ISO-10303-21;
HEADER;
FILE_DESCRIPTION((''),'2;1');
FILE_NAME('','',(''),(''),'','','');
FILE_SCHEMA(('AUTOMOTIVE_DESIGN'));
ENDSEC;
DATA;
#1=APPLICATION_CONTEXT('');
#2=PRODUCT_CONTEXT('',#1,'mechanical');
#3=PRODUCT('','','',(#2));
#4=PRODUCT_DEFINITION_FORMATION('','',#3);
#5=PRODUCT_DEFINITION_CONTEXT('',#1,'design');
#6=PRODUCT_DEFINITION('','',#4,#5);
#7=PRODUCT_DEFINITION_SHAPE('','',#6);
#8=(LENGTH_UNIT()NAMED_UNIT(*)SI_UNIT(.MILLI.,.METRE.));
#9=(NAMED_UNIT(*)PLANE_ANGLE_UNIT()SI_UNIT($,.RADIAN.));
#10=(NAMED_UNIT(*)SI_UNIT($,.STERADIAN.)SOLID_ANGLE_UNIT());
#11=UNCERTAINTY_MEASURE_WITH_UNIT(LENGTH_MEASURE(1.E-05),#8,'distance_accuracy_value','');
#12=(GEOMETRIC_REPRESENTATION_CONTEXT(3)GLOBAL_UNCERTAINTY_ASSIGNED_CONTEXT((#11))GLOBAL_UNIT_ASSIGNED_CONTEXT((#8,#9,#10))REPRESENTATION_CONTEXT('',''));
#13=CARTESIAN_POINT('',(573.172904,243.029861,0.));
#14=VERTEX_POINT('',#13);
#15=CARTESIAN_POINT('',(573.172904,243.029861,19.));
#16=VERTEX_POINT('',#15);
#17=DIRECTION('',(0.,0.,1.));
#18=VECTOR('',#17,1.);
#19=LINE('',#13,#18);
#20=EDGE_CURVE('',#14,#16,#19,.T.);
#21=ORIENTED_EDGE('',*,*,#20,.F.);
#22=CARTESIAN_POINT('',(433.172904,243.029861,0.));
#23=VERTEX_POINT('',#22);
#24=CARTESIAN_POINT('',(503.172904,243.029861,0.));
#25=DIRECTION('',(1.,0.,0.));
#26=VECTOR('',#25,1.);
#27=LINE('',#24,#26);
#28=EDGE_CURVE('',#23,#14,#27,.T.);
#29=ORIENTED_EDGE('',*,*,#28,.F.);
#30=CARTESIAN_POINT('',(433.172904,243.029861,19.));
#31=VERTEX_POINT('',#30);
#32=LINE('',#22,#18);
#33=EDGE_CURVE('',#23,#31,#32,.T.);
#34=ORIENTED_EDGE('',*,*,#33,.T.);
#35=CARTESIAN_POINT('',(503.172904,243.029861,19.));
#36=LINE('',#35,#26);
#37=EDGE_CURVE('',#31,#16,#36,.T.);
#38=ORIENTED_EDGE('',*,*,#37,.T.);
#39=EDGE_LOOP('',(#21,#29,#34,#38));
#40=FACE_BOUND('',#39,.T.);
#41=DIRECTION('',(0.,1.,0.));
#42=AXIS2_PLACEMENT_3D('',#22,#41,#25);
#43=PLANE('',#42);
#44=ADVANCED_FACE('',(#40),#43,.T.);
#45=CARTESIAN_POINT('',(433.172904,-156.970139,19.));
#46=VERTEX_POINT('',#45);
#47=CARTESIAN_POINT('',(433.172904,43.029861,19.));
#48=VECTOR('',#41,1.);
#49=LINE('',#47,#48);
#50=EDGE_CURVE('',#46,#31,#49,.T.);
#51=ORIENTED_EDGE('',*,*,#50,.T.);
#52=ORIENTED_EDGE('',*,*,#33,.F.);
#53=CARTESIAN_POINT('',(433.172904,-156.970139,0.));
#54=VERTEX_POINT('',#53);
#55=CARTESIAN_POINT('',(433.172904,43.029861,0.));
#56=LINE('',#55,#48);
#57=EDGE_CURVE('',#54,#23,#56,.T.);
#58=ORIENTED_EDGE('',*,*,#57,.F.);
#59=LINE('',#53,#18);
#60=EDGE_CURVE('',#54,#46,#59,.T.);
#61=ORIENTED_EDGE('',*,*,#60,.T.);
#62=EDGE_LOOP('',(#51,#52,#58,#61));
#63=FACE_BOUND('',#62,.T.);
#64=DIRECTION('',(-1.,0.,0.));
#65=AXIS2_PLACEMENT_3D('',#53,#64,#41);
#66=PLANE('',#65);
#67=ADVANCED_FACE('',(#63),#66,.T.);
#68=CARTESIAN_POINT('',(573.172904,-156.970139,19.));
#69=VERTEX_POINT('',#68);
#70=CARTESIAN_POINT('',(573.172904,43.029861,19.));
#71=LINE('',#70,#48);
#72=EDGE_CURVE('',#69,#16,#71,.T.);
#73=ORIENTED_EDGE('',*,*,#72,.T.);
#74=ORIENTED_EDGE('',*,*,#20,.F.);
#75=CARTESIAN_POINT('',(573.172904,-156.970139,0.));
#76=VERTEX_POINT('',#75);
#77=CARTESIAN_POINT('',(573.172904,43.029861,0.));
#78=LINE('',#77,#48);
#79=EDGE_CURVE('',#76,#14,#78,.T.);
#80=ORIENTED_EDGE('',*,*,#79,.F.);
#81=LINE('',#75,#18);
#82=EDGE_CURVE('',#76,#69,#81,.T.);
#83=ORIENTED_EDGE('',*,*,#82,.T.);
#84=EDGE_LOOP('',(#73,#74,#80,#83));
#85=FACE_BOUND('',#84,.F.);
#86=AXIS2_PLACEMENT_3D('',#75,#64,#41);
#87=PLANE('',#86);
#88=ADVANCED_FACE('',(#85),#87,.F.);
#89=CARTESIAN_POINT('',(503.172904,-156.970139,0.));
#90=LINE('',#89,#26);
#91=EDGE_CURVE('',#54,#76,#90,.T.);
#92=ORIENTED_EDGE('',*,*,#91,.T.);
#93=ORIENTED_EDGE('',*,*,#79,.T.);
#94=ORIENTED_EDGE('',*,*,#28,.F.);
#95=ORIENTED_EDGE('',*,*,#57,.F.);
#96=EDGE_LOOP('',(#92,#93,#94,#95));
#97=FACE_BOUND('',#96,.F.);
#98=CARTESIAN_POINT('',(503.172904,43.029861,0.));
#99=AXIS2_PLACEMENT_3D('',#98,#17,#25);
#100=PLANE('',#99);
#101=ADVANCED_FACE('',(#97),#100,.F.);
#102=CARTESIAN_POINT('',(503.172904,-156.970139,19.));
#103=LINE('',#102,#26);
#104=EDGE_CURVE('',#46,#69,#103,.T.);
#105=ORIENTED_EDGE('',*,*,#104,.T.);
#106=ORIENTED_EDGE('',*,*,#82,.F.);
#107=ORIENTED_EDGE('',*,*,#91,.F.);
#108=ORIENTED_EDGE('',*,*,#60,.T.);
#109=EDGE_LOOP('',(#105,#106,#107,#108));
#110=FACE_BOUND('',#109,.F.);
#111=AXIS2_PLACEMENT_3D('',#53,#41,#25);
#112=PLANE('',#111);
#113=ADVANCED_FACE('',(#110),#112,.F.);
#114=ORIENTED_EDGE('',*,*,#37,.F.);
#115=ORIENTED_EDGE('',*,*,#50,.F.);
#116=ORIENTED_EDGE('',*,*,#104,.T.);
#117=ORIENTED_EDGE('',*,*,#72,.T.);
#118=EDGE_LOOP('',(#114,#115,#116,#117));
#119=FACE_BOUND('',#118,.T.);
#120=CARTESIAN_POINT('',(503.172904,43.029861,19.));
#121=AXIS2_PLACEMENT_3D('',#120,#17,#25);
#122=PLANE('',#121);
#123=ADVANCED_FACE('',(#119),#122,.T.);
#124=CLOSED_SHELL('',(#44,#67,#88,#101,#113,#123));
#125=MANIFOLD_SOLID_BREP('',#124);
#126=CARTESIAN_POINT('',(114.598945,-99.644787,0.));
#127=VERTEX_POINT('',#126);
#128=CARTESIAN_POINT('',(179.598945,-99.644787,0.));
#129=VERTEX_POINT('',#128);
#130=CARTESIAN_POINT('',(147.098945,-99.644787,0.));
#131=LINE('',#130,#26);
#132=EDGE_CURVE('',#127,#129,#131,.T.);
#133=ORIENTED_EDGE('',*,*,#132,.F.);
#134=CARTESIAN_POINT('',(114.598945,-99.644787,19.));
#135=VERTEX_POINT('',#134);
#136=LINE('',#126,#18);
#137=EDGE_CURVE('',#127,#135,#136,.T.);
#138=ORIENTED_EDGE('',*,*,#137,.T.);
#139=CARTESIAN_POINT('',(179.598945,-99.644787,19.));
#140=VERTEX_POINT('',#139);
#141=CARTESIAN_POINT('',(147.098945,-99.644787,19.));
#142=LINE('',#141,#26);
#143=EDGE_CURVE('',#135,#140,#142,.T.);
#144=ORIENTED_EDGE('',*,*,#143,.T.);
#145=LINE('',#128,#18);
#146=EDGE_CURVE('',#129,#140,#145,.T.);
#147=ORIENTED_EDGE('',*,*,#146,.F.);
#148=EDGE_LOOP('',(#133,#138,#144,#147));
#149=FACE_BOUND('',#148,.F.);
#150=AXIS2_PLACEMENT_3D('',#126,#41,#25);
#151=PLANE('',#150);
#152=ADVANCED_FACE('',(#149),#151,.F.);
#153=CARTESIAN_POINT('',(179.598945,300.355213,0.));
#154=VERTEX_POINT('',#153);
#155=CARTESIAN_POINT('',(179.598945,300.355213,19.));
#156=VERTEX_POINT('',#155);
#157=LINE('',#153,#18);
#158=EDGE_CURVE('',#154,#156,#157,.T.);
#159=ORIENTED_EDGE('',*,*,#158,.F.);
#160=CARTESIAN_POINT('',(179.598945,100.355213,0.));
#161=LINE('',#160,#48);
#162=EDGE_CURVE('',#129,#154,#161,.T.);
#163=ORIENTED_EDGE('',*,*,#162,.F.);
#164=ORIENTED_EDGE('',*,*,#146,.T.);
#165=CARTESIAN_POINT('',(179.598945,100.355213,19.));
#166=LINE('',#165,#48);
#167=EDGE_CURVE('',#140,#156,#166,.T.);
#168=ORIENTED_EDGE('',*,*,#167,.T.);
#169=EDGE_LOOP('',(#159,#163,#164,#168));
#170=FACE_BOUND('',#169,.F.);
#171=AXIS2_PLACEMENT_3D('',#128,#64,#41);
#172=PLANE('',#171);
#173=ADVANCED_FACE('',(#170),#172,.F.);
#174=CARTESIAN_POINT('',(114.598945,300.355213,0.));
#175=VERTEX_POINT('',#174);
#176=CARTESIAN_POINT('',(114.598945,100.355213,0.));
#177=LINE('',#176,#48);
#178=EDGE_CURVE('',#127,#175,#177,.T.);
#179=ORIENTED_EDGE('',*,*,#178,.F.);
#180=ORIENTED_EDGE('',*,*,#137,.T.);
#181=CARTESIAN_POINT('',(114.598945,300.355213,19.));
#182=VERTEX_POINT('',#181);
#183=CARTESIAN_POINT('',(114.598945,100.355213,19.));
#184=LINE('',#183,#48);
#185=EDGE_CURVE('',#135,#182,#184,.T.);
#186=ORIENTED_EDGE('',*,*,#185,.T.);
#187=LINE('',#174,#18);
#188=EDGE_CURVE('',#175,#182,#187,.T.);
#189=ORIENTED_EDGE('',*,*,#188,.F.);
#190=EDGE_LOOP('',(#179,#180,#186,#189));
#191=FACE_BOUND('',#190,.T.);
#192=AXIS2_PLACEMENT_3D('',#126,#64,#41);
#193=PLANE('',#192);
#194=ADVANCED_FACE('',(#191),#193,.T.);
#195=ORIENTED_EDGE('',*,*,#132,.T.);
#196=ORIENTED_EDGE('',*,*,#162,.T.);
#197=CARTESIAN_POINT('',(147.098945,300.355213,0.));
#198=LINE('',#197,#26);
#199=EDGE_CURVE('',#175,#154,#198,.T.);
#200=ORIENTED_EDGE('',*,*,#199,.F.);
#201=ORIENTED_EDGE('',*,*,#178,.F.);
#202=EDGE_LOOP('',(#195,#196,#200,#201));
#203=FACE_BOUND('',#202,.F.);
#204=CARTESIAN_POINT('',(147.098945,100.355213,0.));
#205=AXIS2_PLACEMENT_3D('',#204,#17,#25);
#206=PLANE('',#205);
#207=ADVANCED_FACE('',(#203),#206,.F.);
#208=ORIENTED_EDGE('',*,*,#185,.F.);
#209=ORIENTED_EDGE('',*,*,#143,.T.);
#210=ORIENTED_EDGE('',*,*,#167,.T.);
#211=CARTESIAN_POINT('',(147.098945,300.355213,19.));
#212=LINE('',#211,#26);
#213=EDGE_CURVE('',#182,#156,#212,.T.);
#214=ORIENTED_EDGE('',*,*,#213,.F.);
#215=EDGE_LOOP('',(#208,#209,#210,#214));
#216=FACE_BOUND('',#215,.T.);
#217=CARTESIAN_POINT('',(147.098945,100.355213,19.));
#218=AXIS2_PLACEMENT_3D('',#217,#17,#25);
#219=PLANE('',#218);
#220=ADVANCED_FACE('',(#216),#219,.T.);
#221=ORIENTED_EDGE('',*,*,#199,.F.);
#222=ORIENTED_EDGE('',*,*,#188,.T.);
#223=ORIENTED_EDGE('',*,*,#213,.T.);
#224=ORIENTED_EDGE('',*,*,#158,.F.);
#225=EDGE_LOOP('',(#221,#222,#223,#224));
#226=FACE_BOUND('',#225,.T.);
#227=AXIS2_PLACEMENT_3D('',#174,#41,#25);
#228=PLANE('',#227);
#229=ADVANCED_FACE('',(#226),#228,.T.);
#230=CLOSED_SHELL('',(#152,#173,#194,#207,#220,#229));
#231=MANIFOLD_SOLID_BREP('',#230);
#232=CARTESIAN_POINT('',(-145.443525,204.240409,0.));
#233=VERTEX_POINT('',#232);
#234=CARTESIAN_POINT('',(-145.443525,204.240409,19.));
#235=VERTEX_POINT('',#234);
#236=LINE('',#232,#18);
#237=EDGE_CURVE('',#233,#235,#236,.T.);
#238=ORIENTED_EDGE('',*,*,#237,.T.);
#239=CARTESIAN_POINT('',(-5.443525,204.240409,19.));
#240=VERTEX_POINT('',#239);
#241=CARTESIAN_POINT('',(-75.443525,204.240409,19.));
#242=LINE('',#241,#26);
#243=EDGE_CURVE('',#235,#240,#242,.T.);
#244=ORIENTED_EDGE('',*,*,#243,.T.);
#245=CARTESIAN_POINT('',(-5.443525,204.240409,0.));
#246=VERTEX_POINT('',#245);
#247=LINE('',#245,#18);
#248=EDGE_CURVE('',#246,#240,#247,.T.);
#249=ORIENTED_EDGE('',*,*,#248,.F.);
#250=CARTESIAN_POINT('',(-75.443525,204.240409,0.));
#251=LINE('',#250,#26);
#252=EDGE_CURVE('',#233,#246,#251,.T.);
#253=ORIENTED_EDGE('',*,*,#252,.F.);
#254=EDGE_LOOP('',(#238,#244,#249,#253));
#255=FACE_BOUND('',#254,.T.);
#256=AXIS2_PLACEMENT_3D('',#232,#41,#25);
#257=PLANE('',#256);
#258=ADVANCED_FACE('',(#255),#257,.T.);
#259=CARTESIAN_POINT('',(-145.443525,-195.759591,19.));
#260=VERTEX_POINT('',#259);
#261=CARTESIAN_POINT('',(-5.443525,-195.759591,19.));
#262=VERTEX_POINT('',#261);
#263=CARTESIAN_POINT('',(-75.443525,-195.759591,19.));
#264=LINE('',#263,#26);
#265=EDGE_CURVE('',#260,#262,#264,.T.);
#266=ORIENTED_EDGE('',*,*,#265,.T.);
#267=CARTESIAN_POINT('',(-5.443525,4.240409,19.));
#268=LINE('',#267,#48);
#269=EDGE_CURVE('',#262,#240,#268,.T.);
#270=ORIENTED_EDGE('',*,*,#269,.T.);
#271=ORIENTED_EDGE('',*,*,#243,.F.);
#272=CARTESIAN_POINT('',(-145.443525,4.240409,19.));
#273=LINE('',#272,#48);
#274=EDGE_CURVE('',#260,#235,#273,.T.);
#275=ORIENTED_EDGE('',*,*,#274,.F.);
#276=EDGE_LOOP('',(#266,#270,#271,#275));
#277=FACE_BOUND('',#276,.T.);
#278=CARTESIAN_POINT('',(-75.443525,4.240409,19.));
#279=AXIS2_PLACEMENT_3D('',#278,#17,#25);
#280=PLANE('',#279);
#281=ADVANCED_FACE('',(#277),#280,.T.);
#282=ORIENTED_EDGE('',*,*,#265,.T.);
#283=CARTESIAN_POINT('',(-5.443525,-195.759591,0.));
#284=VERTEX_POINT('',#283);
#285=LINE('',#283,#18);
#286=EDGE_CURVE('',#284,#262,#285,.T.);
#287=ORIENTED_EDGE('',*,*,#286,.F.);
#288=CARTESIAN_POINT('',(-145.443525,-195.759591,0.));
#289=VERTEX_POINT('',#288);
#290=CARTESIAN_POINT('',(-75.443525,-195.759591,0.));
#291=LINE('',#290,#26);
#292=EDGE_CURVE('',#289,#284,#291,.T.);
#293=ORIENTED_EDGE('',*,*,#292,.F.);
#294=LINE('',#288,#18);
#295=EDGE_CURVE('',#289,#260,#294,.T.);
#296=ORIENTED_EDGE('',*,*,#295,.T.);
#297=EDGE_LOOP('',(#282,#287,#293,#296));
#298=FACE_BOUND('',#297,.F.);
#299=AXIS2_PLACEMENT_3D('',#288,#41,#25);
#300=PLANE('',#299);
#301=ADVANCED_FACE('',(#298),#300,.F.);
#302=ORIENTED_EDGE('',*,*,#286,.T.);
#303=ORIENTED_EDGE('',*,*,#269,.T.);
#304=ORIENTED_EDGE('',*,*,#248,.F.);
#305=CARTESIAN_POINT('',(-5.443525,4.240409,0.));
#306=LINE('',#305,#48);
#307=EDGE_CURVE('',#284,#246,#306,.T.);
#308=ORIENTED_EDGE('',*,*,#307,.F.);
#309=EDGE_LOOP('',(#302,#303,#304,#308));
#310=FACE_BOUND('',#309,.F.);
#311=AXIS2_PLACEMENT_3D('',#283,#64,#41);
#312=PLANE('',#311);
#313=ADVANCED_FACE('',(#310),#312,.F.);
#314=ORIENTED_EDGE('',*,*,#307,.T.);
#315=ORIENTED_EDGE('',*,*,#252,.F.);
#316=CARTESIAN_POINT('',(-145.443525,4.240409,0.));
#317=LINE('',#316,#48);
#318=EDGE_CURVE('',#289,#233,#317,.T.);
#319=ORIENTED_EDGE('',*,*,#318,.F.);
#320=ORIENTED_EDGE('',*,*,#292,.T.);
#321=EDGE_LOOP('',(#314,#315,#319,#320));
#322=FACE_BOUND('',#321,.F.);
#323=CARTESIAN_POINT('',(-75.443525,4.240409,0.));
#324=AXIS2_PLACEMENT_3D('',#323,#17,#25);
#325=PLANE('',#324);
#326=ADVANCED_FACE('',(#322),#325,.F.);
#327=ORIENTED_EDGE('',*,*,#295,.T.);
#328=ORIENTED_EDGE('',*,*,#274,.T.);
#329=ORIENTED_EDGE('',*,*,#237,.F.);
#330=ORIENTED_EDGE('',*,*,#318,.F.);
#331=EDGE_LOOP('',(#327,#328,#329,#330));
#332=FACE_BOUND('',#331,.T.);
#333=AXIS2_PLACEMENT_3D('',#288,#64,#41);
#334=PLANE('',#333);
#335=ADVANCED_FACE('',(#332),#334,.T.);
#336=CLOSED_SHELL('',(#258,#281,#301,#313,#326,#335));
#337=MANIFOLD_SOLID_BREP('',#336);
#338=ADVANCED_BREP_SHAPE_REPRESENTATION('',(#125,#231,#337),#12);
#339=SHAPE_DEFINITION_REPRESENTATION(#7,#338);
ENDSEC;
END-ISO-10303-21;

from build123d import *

# Parameters (mm, degrees)
F0_W     = 140
F0_H     = 400
F1_DEPTH = 19
F2_W     = 140
F2_H     = 400
F3_DEPTH = 19
F4_W     = 65
F4_H     = 400
F5_DEPTH = 19


with BuildPart() as f1:
    # F0 (on Top) → F1 (new body)
    with BuildSketch(Plane.XY):
        with Locations((-75.443525, 4.240409)):
            Rectangle(F0_W, F0_H)
    extrude(amount=F1_DEPTH)


with BuildPart() as f3:
    # F2 (on Top) → F3 (new body)
    with BuildSketch(Plane.XY):
        with Locations((503.172904, 43.029861)):
            Rectangle(F2_W, F2_H)
    extrude(amount=F3_DEPTH)


with BuildPart() as f5:
    # F4 (on Top) → F5 (new body)
    with BuildSketch(Plane.XY):
        with Locations((147.098945, 100.355213)):
            Rectangle(F4_W, F4_H)
    extrude(amount=F5_DEPTH)


solid = Compound([f1.part, f3.part, f5.part])
